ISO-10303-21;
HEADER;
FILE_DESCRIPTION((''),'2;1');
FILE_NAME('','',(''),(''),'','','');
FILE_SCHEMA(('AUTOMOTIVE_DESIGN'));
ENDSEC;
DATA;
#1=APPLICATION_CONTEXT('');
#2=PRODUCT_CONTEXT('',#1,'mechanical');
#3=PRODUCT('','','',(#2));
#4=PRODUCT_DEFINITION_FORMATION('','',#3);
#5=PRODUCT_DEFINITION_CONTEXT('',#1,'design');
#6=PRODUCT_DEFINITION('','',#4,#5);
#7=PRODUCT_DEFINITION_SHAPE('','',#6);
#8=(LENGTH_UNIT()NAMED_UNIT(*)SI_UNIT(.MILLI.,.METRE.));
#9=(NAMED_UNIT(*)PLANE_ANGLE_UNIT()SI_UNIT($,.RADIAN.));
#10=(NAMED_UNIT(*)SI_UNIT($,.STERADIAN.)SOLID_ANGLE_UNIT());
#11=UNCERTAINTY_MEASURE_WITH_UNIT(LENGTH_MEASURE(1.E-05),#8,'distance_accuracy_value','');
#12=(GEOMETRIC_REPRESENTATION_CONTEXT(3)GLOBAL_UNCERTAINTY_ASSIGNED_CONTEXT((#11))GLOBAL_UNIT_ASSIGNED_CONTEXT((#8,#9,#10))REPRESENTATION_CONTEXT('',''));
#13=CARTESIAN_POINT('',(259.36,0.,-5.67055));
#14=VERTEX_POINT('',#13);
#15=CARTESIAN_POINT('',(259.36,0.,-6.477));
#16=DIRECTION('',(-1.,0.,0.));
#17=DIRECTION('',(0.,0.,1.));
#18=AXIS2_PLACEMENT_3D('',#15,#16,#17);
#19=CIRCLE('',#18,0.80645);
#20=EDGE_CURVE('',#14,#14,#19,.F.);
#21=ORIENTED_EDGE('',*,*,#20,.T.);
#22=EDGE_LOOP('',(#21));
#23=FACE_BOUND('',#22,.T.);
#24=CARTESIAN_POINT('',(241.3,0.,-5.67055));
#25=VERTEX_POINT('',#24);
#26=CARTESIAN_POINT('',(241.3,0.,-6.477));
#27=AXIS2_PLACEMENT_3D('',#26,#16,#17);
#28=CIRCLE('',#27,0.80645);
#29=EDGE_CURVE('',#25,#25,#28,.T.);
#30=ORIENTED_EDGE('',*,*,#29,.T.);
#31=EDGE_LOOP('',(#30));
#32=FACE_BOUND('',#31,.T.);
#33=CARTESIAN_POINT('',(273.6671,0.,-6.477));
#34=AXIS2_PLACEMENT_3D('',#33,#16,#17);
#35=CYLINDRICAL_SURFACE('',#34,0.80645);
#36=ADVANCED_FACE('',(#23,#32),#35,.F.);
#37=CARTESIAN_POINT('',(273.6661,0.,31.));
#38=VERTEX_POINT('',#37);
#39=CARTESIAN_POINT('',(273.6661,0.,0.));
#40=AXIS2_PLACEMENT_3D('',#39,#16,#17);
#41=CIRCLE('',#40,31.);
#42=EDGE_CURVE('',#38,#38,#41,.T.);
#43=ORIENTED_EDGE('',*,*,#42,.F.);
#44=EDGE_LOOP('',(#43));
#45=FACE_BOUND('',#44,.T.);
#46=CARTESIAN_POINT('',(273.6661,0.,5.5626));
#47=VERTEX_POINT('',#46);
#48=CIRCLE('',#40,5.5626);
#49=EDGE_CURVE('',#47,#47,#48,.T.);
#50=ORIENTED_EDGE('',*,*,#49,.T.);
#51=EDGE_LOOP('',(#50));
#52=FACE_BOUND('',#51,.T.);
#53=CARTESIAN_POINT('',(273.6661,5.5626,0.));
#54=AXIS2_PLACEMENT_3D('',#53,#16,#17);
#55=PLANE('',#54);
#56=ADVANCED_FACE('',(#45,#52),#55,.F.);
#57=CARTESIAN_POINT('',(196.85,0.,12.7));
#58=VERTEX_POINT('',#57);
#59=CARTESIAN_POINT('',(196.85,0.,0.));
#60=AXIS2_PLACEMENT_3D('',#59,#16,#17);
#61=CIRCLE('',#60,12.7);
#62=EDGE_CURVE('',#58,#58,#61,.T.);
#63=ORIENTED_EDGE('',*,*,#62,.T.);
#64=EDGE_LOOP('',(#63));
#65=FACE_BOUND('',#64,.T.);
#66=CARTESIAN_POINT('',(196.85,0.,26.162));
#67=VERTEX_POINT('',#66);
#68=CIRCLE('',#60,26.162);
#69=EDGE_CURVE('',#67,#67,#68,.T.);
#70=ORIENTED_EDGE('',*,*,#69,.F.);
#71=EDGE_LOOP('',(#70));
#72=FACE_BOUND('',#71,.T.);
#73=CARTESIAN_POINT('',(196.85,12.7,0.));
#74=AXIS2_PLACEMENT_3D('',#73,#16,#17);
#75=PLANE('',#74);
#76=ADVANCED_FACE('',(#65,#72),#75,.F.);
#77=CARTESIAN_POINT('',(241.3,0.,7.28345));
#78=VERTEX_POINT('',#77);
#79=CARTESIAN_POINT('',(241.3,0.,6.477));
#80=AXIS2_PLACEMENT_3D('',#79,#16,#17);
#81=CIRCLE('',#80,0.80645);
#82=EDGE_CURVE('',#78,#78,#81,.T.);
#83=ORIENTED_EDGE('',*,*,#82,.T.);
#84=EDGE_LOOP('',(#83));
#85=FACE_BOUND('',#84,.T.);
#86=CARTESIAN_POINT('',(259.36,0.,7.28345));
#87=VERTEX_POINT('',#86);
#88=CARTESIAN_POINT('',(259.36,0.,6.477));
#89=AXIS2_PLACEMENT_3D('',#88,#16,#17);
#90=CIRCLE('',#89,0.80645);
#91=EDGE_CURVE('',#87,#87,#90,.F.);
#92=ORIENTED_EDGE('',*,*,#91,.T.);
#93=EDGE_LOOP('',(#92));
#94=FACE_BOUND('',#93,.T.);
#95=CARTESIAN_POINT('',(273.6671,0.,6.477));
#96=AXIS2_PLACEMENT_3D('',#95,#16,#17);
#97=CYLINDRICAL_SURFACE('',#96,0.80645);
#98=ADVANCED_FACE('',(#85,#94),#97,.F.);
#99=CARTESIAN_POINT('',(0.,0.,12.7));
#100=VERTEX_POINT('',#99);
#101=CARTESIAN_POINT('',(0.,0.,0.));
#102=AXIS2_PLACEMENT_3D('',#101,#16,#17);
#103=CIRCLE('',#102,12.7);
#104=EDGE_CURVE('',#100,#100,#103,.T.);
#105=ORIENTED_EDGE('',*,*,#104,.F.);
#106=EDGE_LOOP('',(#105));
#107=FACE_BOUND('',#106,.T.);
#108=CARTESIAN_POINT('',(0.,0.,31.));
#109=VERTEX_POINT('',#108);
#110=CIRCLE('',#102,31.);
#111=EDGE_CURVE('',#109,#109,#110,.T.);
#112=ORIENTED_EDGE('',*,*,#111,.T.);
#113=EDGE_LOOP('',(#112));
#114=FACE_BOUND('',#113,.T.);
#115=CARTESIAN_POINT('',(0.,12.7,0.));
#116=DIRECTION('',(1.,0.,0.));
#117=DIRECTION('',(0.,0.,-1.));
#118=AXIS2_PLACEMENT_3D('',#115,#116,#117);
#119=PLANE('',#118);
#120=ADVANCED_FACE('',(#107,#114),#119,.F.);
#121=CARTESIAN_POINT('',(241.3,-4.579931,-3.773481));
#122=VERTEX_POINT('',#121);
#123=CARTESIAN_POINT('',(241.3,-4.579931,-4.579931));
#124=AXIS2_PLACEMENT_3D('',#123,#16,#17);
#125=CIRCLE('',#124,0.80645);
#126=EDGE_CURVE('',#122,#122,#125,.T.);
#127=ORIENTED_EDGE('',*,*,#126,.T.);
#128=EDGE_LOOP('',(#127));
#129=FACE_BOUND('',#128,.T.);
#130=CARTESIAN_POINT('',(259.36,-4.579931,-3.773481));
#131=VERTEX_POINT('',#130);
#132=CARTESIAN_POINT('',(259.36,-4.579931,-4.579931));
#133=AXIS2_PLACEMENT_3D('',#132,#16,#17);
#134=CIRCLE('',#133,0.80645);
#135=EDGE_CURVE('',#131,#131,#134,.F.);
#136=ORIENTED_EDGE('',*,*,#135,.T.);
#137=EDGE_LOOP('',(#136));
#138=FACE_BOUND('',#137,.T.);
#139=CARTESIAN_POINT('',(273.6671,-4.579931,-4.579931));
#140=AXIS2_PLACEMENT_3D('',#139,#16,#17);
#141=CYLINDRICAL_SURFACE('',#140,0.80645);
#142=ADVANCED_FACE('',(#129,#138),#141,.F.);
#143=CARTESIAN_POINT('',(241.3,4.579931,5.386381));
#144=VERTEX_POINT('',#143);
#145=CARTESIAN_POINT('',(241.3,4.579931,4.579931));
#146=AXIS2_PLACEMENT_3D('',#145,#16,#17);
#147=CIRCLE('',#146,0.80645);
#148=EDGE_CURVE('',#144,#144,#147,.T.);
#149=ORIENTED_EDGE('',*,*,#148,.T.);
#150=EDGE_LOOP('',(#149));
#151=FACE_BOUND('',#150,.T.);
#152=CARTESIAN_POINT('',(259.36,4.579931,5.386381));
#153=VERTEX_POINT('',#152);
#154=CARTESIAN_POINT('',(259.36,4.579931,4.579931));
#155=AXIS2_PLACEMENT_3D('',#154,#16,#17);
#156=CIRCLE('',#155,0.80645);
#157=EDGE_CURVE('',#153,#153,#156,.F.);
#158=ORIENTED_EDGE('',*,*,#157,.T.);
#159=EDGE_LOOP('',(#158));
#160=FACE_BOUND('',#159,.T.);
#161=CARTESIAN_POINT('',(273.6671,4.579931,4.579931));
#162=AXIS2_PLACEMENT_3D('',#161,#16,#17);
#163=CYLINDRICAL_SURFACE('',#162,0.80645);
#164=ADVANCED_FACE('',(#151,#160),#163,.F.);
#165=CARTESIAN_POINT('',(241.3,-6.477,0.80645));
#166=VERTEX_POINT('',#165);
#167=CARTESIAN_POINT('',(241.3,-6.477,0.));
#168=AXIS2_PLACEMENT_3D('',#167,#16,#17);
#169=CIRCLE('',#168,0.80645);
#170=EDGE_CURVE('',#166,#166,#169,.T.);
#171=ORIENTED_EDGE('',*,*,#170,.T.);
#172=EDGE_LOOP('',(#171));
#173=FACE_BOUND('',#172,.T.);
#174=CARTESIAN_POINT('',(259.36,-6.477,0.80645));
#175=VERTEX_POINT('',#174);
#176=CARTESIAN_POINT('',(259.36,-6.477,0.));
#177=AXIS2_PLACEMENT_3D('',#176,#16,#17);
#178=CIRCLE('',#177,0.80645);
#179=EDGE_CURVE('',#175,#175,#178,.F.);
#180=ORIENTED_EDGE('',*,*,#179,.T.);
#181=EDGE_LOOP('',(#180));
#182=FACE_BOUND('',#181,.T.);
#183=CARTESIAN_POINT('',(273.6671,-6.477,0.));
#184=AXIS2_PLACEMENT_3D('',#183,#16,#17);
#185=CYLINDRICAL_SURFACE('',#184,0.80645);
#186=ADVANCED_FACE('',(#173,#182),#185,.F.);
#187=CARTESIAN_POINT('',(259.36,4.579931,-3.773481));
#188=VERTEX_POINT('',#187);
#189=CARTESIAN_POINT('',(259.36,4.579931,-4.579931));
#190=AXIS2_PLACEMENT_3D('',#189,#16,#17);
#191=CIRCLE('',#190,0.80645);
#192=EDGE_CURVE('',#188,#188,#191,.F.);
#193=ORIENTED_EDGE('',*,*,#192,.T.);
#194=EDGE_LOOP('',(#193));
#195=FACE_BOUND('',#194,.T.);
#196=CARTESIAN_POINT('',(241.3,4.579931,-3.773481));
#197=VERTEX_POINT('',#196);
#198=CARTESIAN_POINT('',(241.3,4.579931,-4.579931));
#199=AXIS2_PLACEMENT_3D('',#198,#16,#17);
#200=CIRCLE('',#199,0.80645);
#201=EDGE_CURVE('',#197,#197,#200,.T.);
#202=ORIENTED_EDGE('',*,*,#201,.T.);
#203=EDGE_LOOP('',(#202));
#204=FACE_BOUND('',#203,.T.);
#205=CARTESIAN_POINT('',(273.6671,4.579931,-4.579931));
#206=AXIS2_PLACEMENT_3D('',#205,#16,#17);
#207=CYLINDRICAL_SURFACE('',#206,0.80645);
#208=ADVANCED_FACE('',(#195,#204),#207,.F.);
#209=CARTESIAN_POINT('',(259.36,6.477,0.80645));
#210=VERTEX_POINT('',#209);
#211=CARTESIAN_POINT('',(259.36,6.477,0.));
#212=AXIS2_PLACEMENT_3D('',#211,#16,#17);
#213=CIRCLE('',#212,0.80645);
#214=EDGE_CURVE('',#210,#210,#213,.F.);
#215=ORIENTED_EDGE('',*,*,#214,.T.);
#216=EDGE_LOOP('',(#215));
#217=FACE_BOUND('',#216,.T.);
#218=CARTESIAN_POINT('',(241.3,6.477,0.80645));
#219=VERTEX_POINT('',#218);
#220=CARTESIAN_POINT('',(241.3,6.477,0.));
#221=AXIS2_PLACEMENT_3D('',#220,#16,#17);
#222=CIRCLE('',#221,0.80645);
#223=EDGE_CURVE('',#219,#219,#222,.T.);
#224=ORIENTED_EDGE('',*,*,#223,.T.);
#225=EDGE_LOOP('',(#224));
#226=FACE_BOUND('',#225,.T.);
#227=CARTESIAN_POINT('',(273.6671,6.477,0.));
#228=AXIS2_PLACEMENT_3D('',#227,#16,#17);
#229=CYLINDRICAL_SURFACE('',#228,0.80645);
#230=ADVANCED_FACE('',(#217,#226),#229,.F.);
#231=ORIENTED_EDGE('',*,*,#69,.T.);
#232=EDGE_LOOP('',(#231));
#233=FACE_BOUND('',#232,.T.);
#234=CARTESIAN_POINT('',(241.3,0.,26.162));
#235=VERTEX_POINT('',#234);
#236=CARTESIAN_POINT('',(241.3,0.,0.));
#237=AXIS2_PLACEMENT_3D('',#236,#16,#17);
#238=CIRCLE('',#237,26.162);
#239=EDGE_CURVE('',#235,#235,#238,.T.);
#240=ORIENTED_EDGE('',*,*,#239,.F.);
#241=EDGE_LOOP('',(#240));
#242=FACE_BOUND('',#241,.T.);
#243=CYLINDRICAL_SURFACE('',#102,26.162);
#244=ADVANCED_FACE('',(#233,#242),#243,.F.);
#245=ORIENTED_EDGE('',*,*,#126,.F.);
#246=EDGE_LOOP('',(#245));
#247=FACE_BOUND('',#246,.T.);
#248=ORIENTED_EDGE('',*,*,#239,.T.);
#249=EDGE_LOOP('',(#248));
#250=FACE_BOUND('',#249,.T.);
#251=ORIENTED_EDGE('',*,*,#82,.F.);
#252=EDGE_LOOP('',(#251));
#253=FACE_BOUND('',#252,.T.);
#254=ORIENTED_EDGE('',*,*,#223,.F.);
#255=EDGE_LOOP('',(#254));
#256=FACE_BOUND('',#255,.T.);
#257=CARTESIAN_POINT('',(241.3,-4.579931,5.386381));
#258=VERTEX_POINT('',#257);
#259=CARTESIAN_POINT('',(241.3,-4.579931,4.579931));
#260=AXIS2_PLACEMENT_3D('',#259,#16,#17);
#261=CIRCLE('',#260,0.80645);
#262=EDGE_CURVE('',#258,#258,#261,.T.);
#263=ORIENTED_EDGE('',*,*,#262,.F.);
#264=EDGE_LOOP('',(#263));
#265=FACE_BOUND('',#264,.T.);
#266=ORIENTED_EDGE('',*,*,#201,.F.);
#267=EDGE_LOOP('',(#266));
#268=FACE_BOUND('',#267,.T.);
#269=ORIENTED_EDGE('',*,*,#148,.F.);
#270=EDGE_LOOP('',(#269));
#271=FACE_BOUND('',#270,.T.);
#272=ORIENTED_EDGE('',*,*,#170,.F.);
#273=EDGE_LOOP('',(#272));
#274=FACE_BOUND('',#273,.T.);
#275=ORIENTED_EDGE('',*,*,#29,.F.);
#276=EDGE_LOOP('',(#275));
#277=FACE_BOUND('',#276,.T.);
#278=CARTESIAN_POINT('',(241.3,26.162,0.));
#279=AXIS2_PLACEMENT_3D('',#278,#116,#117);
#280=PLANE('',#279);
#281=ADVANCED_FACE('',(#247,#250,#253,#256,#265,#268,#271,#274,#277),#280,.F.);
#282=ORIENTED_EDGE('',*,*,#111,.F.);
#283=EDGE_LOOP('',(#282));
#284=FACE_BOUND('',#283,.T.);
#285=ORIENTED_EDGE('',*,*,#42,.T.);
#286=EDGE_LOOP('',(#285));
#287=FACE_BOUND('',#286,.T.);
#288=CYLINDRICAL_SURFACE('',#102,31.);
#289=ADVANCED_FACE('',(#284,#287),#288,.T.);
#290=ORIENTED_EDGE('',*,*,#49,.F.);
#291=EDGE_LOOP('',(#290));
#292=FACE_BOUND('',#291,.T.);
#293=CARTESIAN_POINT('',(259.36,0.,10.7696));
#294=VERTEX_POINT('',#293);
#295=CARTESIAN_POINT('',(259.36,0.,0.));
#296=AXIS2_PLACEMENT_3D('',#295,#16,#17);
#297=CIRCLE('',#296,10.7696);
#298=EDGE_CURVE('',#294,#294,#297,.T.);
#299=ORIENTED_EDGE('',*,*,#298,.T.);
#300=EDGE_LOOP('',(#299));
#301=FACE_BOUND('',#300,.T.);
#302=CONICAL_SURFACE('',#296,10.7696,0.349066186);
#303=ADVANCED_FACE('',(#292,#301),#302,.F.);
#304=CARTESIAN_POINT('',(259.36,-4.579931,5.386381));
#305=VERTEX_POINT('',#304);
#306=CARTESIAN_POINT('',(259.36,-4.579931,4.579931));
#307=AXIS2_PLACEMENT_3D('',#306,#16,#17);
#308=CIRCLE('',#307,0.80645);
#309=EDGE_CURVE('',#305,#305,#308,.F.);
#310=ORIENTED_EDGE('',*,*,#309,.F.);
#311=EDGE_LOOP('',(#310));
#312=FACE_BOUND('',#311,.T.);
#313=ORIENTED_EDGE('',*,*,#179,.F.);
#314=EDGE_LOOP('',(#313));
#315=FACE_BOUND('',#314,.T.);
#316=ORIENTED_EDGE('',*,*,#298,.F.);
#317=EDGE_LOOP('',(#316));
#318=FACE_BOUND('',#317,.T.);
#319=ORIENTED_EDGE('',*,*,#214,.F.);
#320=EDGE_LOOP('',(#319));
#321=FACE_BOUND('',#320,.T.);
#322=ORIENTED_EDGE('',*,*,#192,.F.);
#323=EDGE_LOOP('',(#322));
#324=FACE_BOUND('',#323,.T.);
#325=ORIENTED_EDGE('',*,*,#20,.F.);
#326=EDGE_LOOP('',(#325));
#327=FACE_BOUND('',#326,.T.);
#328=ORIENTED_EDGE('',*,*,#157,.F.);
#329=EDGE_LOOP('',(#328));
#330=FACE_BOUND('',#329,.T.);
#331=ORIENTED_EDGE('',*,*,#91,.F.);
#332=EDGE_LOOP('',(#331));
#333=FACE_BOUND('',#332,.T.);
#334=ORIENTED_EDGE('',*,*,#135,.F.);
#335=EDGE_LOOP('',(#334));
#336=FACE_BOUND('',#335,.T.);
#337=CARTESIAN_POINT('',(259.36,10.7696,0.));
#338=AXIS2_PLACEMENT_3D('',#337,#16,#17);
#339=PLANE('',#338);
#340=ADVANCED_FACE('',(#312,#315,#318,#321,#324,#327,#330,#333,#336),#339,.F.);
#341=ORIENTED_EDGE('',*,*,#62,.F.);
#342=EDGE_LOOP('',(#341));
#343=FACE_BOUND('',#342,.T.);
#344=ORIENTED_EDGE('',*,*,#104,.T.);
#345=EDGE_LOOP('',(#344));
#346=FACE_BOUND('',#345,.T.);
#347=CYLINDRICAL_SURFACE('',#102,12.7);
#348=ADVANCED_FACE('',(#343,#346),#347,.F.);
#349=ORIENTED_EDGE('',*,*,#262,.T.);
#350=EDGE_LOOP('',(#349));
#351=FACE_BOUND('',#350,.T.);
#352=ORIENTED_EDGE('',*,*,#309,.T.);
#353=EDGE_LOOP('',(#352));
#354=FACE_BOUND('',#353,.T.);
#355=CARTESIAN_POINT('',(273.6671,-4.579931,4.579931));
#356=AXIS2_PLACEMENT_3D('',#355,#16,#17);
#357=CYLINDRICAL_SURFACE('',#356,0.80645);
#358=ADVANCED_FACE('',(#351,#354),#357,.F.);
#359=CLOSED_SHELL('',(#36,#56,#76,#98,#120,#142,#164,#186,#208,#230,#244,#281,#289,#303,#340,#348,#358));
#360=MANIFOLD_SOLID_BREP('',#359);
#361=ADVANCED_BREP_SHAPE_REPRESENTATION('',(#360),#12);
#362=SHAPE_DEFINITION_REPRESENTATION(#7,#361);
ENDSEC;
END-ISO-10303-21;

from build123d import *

# Parameters (mm, degrees)
CUT_EXTRUDE1_REACH = 247.25
SKETCH3_R          = 0.80645


with BuildPart() as part:
    # Sketch1 → Revolve1 (revolve)
    with BuildSketch(Plane.XY, mode=Mode.PRIVATE) as revolve1_sk:
        Polygon((0, 12.7), (196.85, 12.7), (196.85, 26.162), (241.3, 26.162), (241.3, 0), (259.36, 0), (259.36, 10.7696), (273.6661, 5.5626), (273.6661, 31), (0, 31), align=None)
    revolve(revolve1_sk.sketch.rotate(Axis((0, 0, 0), (1, 0, 0)), 90), axis=Axis((0, 0, 0), (1, 0, 0)))

    # Sketch3 → Cut-Extrude1 (cut, up to next)
    with BuildSketch(Plane.ZY.offset(-241.3), mode=Mode.PRIVATE) as cut_extrude1_sk1:
        with Locations((0, 6.477)):
            Circle(SKETCH3_R)
    cut_extrude1_tool1 = extrude(cut_extrude1_sk1.sketch, amount=-CUT_EXTRUDE1_REACH, mode=Mode.PRIVATE) & part.part
    # Sketch3 → Cut-Extrude1 (cut, up to next)
    with BuildSketch(Plane.ZY.offset(-241.3), mode=Mode.PRIVATE) as cut_extrude1_sk2:
        with Locations((4.579930622, 4.579930622)):
            Circle(SKETCH3_R)
    cut_extrude1_tool2 = extrude(cut_extrude1_sk2.sketch, amount=-CUT_EXTRUDE1_REACH, mode=Mode.PRIVATE) & part.part
    # Sketch3 → Cut-Extrude1 (cut, up to next)
    with BuildSketch(Plane.ZY.offset(-241.3), mode=Mode.PRIVATE) as cut_extrude1_sk3:
        with Locations((6.477, 0)):
            Circle(SKETCH3_R)
    cut_extrude1_tool3 = extrude(cut_extrude1_sk3.sketch, amount=-CUT_EXTRUDE1_REACH, mode=Mode.PRIVATE) & part.part
    # Sketch3 → Cut-Extrude1 (cut, up to next)
    with BuildSketch(Plane.ZY.offset(-241.3), mode=Mode.PRIVATE) as cut_extrude1_sk4:
        with Locations((4.579930622, -4.579930622)):
            Circle(SKETCH3_R)
    cut_extrude1_tool4 = extrude(cut_extrude1_sk4.sketch, amount=-CUT_EXTRUDE1_REACH, mode=Mode.PRIVATE) & part.part
    # Sketch3 → Cut-Extrude1 (cut, up to next)
    with BuildSketch(Plane.ZY.offset(-241.3), mode=Mode.PRIVATE) as cut_extrude1_sk5:
        with Locations((0, -6.477)):
            Circle(SKETCH3_R)
    cut_extrude1_tool5 = extrude(cut_extrude1_sk5.sketch, amount=-CUT_EXTRUDE1_REACH, mode=Mode.PRIVATE) & part.part
    # Sketch3 → Cut-Extrude1 (cut, up to next)
    with BuildSketch(Plane.ZY.offset(-241.3), mode=Mode.PRIVATE) as cut_extrude1_sk6:
        with Locations((-4.579930622, -4.579930622)):
            Circle(SKETCH3_R)
    cut_extrude1_tool6 = extrude(cut_extrude1_sk6.sketch, amount=-CUT_EXTRUDE1_REACH, mode=Mode.PRIVATE) & part.part
    # Sketch3 → Cut-Extrude1 (cut, up to next)
    with BuildSketch(Plane.ZY.offset(-241.3), mode=Mode.PRIVATE) as cut_extrude1_sk7:
        with Locations((-6.477, 0)):
            Circle(SKETCH3_R)
    cut_extrude1_tool7 = extrude(cut_extrude1_sk7.sketch, amount=-CUT_EXTRUDE1_REACH, mode=Mode.PRIVATE) & part.part
    # Sketch3 → Cut-Extrude1 (cut, up to next)
    with BuildSketch(Plane.ZY.offset(-241.3), mode=Mode.PRIVATE) as cut_extrude1_sk8:
        with Locations((-4.579930622, 4.579930622)):
            Circle(SKETCH3_R)
    cut_extrude1_tool8 = extrude(cut_extrude1_sk8.sketch, amount=-CUT_EXTRUDE1_REACH, mode=Mode.PRIVATE) & part.part
    add(cut_extrude1_tool1.solids().sort_by_distance((241.3, 6.477, 0))[0], mode=Mode.SUBTRACT)
    add(cut_extrude1_tool2.solids().sort_by_distance((241.3, 4.579931, 4.579931))[0], mode=Mode.SUBTRACT)
    add(cut_extrude1_tool3.solids().sort_by_distance((241.3, 0, 6.477))[0], mode=Mode.SUBTRACT)
    add(cut_extrude1_tool4.solids().sort_by_distance((241.3, -4.579931, 4.579931))[0], mode=Mode.SUBTRACT)
    add(cut_extrude1_tool5.solids().sort_by_distance((241.3, -6.477, 0))[0], mode=Mode.SUBTRACT)
    add(cut_extrude1_tool6.solids().sort_by_distance((241.3, -4.579931, -4.579931))[0], mode=Mode.SUBTRACT)
    add(cut_extrude1_tool7.solids().sort_by_distance((241.3, 0, -6.477))[0], mode=Mode.SUBTRACT)
    add(cut_extrude1_tool8.solids().sort_by_distance((241.3, 4.579931, -4.579931))[0], mode=Mode.SUBTRACT)


solid = part.part
